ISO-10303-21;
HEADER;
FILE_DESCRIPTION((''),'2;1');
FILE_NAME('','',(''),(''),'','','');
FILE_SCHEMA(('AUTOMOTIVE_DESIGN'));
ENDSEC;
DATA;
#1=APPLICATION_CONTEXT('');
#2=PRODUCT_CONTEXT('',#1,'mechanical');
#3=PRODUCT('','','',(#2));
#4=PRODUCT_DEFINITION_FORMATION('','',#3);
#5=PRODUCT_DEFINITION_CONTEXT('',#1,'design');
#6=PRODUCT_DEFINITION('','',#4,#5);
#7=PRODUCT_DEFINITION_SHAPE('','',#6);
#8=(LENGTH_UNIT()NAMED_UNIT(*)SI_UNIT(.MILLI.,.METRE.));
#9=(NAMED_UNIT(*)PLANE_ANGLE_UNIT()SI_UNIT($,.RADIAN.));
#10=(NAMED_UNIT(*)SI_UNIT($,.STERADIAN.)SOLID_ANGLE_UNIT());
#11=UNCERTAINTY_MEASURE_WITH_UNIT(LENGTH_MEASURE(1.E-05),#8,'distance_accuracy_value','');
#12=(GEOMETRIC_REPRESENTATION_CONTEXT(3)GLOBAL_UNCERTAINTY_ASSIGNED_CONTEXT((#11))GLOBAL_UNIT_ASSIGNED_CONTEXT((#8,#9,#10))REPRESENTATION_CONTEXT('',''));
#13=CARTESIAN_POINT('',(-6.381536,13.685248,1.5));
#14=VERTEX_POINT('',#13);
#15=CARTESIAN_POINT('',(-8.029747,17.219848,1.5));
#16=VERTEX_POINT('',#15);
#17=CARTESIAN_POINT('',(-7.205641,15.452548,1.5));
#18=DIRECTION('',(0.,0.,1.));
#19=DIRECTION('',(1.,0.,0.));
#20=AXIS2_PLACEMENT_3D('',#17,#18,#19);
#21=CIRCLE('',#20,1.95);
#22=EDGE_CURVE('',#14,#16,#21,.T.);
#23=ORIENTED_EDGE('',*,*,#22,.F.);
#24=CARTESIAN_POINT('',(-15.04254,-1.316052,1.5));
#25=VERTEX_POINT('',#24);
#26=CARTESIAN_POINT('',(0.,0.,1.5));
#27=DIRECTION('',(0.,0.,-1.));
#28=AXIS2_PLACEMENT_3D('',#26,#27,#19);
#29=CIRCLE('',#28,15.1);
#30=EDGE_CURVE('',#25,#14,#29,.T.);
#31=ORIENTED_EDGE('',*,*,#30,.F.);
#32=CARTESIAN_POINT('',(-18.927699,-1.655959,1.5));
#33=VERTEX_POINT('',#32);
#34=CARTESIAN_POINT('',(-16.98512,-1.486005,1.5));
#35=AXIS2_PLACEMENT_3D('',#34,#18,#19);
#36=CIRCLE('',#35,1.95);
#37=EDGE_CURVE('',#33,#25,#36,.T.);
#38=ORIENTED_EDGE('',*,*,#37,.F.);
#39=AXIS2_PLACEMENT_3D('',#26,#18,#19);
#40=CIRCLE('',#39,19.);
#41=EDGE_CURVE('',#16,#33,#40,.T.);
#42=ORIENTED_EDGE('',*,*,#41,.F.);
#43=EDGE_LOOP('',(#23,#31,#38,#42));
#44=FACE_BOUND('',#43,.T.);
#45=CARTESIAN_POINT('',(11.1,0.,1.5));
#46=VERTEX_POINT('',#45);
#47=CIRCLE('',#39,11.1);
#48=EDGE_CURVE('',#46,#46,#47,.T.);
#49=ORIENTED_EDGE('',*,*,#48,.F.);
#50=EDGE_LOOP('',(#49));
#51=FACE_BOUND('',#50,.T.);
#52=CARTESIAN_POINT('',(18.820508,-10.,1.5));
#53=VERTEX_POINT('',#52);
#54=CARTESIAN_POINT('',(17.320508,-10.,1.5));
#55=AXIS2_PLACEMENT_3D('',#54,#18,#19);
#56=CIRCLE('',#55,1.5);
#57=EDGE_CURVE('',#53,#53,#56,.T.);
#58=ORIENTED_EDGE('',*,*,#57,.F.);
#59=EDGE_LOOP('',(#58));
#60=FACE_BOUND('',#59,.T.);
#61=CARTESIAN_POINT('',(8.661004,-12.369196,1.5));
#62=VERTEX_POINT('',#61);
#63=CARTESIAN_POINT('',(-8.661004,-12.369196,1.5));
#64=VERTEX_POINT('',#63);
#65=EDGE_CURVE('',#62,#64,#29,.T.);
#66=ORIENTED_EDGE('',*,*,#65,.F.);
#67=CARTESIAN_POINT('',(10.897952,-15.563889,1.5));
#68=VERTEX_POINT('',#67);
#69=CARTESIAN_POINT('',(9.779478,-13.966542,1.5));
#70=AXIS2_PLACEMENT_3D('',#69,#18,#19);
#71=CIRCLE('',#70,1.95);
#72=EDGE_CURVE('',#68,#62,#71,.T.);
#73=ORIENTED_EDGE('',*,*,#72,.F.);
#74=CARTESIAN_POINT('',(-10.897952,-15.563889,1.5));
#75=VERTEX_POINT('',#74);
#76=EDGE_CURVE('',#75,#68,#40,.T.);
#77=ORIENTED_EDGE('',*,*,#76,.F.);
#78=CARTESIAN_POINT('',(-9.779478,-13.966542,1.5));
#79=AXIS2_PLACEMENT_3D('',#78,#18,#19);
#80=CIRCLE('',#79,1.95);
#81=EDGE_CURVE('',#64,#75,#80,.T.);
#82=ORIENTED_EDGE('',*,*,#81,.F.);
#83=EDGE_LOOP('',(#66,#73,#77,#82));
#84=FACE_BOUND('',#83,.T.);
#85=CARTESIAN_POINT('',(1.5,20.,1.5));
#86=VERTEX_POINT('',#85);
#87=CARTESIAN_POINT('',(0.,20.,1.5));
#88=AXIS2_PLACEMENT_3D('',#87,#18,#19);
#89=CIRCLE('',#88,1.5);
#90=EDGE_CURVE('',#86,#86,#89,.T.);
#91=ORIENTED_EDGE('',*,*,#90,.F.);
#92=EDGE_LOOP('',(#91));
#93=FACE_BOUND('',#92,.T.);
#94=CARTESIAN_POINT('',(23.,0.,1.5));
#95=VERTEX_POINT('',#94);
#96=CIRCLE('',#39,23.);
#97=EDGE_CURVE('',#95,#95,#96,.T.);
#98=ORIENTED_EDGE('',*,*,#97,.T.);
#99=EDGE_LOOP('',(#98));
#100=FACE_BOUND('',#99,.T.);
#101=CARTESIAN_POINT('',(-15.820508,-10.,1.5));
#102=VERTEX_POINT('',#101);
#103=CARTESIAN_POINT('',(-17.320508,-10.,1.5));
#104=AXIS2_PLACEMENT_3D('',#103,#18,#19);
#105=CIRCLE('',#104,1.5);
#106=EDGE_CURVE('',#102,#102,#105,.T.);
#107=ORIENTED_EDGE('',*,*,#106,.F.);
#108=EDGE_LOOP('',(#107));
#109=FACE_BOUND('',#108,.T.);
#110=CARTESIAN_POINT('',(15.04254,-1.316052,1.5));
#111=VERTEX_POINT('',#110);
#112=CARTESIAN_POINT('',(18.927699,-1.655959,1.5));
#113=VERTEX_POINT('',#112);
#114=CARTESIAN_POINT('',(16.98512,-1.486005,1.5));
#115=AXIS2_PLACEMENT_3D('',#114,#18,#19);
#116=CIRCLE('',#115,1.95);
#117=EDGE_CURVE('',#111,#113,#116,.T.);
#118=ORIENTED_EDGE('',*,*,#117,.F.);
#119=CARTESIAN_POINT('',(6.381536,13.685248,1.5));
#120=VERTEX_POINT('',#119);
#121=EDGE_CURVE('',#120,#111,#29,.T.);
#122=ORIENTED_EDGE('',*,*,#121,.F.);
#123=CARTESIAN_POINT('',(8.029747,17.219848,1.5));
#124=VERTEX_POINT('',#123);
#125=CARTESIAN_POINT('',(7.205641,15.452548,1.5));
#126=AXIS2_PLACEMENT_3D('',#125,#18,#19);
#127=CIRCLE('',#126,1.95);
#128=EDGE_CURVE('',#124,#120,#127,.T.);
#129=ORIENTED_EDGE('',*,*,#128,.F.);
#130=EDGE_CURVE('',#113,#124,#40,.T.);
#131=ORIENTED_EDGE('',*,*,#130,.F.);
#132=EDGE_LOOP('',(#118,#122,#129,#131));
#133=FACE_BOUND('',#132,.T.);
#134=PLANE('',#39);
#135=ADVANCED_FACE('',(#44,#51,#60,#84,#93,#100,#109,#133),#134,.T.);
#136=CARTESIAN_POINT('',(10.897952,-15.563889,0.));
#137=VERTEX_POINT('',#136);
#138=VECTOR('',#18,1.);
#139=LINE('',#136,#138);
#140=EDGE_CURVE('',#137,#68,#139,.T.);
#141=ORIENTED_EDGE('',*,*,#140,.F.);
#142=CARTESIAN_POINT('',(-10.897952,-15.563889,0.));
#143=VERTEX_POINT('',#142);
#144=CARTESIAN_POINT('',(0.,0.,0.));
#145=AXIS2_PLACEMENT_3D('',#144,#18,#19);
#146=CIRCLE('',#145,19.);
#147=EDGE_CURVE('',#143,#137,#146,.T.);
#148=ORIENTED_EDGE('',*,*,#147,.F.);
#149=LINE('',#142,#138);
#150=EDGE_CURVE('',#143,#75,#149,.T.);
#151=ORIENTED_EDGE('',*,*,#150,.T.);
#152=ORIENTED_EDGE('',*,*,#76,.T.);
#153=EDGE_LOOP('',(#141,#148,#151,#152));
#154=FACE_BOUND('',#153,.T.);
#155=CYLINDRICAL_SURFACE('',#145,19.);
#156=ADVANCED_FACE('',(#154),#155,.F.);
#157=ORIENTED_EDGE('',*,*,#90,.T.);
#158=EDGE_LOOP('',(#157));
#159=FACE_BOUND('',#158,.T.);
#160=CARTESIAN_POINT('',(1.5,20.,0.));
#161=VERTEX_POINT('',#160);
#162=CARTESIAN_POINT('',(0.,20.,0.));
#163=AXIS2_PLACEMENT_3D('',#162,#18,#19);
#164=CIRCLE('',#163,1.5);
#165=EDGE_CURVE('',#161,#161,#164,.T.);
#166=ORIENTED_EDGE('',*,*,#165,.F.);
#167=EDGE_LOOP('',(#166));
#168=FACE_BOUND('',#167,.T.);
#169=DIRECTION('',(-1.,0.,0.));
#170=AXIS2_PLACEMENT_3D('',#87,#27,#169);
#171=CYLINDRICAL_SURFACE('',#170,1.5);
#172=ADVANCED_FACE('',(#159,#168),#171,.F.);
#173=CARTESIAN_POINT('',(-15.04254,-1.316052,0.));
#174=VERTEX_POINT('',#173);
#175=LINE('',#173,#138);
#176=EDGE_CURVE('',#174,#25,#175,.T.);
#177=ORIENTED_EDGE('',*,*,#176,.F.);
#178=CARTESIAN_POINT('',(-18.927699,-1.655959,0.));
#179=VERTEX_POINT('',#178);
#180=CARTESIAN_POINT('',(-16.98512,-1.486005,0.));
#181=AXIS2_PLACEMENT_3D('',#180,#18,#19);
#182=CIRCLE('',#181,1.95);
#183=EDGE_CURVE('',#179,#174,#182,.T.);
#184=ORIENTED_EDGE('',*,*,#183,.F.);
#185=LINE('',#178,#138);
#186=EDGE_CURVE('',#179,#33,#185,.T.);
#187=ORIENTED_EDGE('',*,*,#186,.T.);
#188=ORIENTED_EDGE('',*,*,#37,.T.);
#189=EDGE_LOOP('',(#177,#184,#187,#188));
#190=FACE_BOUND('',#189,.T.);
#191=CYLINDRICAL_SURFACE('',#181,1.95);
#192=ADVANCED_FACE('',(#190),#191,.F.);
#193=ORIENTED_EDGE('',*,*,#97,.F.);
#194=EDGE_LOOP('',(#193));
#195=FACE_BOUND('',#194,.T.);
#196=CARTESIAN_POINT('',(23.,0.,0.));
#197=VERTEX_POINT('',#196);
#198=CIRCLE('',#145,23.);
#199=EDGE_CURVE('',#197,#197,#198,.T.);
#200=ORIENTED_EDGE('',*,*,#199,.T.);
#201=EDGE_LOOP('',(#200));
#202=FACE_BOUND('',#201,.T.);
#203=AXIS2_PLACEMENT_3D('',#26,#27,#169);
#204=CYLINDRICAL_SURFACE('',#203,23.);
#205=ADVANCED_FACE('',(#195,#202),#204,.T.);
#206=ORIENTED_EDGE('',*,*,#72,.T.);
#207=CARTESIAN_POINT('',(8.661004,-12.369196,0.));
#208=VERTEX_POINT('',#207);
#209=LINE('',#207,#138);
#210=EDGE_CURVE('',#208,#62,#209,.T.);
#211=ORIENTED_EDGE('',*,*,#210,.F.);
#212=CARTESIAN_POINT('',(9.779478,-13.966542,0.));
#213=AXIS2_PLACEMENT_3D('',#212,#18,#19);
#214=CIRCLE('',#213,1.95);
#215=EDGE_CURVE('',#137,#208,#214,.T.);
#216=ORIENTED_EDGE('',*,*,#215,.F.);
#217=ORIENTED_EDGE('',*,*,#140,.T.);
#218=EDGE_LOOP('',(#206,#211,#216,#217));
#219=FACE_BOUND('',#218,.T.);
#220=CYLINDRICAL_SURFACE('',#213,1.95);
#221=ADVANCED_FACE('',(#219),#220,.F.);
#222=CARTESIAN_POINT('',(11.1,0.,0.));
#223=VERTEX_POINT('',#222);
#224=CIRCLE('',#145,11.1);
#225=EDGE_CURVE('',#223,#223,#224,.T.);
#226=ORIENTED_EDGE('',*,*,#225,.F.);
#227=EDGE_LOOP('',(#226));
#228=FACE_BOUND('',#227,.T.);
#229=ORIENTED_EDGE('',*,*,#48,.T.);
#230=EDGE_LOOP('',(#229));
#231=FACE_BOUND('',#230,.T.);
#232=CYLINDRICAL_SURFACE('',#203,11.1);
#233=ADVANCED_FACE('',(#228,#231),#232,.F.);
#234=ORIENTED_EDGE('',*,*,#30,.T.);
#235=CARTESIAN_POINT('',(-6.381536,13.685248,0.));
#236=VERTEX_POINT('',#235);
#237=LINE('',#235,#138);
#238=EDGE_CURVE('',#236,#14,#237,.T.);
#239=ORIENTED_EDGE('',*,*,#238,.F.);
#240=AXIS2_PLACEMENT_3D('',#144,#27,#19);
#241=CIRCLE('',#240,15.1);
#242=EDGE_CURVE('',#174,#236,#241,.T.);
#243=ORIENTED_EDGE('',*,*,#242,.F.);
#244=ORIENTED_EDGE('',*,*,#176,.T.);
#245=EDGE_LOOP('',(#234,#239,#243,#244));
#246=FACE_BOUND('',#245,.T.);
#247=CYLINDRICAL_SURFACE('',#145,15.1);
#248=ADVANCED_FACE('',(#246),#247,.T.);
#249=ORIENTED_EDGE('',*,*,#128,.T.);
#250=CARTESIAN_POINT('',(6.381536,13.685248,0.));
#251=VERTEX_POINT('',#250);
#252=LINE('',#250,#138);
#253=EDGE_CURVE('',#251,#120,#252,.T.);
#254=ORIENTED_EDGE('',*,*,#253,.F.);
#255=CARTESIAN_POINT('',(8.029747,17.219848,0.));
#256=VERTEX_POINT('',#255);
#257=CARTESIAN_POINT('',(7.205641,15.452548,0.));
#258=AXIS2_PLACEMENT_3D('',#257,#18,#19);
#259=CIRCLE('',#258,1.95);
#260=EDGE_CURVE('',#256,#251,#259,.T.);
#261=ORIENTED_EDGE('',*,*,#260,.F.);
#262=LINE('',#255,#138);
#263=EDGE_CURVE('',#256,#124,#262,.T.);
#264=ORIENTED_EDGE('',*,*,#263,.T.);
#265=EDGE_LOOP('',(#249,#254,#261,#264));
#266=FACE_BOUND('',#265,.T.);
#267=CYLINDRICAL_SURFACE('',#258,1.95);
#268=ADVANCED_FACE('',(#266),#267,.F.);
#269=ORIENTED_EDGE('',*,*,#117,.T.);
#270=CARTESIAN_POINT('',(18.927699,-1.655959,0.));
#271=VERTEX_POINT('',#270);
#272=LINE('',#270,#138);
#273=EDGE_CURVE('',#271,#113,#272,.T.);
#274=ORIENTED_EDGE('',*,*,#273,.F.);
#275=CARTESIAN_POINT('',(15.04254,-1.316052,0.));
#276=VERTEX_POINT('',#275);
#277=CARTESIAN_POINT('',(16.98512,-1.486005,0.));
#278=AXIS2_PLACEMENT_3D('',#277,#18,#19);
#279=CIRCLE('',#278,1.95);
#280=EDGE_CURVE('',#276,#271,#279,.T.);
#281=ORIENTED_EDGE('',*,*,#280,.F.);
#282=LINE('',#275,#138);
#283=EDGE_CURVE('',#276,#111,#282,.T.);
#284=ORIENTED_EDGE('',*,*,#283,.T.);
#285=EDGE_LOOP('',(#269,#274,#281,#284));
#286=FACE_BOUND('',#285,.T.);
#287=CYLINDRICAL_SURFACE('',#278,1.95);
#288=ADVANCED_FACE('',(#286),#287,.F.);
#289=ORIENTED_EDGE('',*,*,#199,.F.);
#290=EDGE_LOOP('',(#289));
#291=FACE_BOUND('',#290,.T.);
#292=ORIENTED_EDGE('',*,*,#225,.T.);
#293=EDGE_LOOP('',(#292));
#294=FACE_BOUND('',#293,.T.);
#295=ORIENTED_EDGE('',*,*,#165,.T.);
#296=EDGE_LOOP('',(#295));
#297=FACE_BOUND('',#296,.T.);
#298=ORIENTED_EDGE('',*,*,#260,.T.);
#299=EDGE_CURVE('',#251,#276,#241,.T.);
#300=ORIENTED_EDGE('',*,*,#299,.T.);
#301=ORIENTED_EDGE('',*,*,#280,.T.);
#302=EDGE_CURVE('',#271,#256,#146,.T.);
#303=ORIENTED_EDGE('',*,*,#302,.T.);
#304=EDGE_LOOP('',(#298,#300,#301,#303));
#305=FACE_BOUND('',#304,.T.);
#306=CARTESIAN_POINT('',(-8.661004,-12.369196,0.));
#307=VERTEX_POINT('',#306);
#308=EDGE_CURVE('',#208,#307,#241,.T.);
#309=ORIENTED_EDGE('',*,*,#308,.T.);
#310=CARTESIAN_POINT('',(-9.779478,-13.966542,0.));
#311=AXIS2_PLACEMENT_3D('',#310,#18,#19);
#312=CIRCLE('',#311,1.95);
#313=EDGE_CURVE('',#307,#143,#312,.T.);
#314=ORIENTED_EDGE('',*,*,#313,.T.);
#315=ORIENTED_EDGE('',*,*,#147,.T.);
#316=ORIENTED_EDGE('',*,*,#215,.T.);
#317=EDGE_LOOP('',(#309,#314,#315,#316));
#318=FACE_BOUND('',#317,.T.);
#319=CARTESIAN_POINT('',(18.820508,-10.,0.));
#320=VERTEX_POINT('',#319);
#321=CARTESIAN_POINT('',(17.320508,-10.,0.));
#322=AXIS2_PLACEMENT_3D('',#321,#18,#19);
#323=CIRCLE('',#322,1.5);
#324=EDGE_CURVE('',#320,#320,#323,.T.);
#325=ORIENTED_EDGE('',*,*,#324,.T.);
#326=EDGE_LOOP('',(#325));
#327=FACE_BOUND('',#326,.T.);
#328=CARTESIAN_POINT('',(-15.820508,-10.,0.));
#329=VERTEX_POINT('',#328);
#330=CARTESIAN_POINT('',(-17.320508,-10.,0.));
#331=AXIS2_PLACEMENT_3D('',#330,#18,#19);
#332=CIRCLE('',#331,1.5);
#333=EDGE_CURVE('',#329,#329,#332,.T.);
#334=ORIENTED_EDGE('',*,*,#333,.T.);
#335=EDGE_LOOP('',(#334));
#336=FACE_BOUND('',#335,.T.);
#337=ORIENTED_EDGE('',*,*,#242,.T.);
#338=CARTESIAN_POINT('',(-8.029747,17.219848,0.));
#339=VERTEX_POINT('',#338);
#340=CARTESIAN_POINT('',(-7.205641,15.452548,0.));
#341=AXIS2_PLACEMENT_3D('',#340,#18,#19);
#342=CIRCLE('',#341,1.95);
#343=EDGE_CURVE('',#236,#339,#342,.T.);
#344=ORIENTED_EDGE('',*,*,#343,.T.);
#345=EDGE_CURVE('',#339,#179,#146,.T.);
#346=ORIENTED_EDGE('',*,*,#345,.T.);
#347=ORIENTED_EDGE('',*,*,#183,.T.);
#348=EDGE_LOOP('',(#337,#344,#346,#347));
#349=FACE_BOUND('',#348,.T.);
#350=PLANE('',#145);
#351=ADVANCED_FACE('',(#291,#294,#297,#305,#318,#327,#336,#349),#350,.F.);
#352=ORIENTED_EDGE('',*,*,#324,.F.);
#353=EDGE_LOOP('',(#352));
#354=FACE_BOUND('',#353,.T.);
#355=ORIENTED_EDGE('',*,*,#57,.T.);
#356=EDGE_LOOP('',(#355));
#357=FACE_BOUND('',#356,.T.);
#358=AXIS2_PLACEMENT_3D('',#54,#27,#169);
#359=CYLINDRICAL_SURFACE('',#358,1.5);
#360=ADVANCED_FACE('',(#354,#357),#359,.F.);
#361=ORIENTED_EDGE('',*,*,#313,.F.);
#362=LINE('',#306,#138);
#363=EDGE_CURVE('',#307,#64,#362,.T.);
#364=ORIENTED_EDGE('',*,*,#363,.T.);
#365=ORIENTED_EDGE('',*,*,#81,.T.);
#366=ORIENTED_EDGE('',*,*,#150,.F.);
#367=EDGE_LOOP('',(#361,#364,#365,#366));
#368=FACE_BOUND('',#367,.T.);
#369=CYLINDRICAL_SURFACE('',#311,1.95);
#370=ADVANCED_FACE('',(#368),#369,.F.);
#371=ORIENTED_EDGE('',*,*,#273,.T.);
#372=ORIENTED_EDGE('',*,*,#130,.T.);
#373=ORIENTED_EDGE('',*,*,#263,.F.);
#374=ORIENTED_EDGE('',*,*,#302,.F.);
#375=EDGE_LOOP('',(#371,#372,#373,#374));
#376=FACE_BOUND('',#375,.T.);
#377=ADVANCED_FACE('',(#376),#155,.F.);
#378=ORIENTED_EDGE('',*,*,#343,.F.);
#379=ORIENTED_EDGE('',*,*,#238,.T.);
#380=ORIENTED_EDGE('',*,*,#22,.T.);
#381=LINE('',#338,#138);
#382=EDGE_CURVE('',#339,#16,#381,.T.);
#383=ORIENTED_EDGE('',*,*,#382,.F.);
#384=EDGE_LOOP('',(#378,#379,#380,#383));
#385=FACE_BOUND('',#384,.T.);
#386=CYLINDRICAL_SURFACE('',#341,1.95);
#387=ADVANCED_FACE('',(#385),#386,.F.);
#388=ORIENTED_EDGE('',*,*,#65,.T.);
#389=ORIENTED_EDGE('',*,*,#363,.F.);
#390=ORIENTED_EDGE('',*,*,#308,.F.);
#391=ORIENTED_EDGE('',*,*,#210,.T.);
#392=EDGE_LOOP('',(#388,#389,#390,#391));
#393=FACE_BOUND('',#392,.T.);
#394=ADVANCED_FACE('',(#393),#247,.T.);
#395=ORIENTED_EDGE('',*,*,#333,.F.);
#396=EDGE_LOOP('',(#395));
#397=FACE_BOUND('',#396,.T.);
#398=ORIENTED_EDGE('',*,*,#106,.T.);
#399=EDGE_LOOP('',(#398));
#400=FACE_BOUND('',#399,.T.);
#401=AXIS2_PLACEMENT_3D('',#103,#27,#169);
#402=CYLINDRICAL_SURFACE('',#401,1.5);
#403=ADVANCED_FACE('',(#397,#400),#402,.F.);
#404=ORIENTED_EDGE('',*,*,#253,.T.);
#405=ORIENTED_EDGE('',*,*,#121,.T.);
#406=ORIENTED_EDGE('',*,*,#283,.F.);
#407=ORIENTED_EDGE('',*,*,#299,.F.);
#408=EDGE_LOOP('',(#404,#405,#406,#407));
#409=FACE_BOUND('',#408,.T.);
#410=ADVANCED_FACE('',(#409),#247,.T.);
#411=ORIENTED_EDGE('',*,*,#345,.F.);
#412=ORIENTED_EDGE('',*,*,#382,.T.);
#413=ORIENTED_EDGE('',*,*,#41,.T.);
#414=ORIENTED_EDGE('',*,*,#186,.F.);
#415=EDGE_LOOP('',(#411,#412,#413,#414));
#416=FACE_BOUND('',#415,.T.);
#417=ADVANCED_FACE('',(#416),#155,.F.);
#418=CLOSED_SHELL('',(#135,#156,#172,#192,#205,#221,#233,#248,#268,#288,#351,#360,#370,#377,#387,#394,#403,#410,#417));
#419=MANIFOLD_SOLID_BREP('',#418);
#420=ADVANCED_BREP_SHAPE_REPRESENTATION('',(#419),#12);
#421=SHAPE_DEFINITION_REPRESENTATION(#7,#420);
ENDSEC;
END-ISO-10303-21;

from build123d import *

# Parameters (mm, degrees)
SKETCH_1_R          = 23
SKETCH_1_R_2        = 1.5
SKETCH_1_R_3        = 11.1
EXTRUDE_1_DEPTH     = 1.5
CUT_EXTRUDE_1_DEPTH = 33.56148031


with BuildPart() as part:
    # 草图1 → 凸台-拉伸1 (new body)
    with BuildSketch(Plane.XY):
        Circle(SKETCH_1_R)
        with Locations((0, 20)):
            Circle(SKETCH_1_R_2, mode=Mode.SUBTRACT)
        Circle(SKETCH_1_R_3, mode=Mode.SUBTRACT)
        with Locations((17.320508076, -10)):
            Circle(SKETCH_1_R_2, mode=Mode.SUBTRACT)
        with Locations((-17.320508076, -10)):
            Circle(SKETCH_1_R_2, mode=Mode.SUBTRACT)
    extrude(amount=EXTRUDE_1_DEPTH)

    # 草图2 → 切除-拉伸1 (cut, through all)
    with BuildSketch(Plane.XY.offset(1.5)):
        with BuildLine():
            ThreePointArc((-8.029746973, 17.219847954), (-16.454482672, 9.5), (-18.927699264, -1.655959112))
            ThreePointArc((-18.927699264, -1.655959112), (-16.815165904, -3.428585075), (-15.042539941, -1.316051715))
            ThreePointArc((-15.042539941, -1.316051715), (-13.076983597, 7.55), (-6.381535752, 13.685247584))
            ThreePointArc((-6.381535752, 13.685247584), (-5.438341178, 16.276653379), (-8.029746973, 17.219847954))
        make_face()
        with BuildLine():
            ThreePointArc((18.927699264, -1.655959112), (16.454482672, 9.5), (8.029746973, 17.219847954))
            ThreePointArc((8.029746973, 17.219847954), (5.438341178, 16.276653379), (6.381535752, 13.685247584))
            ThreePointArc((6.381535752, 13.685247584), (13.076983597, 7.55), (15.042539941, -1.316051715))
            ThreePointArc((15.042539941, -1.316051715), (16.815165904, -3.428585075), (18.927699264, -1.655959112))
        make_face()
        with BuildLine():
            ThreePointArc((-10.897952291, -15.563888841), (0, -19), (10.897952291, -15.563888841))
            ThreePointArc((10.897952291, -15.563888841), (11.376824726, -12.848068304), (8.661004189, -12.369195869))
            ThreePointArc((8.661004189, -12.369195869), (0, -15.1), (-8.661004189, -12.369195869))
            ThreePointArc((-8.661004189, -12.369195869), (-11.376824726, -12.848068304), (-10.897952291, -15.563888841))
        make_face()
    extrude(amount=-CUT_EXTRUDE_1_DEPTH, mode=Mode.SUBTRACT)


solid = part.part
